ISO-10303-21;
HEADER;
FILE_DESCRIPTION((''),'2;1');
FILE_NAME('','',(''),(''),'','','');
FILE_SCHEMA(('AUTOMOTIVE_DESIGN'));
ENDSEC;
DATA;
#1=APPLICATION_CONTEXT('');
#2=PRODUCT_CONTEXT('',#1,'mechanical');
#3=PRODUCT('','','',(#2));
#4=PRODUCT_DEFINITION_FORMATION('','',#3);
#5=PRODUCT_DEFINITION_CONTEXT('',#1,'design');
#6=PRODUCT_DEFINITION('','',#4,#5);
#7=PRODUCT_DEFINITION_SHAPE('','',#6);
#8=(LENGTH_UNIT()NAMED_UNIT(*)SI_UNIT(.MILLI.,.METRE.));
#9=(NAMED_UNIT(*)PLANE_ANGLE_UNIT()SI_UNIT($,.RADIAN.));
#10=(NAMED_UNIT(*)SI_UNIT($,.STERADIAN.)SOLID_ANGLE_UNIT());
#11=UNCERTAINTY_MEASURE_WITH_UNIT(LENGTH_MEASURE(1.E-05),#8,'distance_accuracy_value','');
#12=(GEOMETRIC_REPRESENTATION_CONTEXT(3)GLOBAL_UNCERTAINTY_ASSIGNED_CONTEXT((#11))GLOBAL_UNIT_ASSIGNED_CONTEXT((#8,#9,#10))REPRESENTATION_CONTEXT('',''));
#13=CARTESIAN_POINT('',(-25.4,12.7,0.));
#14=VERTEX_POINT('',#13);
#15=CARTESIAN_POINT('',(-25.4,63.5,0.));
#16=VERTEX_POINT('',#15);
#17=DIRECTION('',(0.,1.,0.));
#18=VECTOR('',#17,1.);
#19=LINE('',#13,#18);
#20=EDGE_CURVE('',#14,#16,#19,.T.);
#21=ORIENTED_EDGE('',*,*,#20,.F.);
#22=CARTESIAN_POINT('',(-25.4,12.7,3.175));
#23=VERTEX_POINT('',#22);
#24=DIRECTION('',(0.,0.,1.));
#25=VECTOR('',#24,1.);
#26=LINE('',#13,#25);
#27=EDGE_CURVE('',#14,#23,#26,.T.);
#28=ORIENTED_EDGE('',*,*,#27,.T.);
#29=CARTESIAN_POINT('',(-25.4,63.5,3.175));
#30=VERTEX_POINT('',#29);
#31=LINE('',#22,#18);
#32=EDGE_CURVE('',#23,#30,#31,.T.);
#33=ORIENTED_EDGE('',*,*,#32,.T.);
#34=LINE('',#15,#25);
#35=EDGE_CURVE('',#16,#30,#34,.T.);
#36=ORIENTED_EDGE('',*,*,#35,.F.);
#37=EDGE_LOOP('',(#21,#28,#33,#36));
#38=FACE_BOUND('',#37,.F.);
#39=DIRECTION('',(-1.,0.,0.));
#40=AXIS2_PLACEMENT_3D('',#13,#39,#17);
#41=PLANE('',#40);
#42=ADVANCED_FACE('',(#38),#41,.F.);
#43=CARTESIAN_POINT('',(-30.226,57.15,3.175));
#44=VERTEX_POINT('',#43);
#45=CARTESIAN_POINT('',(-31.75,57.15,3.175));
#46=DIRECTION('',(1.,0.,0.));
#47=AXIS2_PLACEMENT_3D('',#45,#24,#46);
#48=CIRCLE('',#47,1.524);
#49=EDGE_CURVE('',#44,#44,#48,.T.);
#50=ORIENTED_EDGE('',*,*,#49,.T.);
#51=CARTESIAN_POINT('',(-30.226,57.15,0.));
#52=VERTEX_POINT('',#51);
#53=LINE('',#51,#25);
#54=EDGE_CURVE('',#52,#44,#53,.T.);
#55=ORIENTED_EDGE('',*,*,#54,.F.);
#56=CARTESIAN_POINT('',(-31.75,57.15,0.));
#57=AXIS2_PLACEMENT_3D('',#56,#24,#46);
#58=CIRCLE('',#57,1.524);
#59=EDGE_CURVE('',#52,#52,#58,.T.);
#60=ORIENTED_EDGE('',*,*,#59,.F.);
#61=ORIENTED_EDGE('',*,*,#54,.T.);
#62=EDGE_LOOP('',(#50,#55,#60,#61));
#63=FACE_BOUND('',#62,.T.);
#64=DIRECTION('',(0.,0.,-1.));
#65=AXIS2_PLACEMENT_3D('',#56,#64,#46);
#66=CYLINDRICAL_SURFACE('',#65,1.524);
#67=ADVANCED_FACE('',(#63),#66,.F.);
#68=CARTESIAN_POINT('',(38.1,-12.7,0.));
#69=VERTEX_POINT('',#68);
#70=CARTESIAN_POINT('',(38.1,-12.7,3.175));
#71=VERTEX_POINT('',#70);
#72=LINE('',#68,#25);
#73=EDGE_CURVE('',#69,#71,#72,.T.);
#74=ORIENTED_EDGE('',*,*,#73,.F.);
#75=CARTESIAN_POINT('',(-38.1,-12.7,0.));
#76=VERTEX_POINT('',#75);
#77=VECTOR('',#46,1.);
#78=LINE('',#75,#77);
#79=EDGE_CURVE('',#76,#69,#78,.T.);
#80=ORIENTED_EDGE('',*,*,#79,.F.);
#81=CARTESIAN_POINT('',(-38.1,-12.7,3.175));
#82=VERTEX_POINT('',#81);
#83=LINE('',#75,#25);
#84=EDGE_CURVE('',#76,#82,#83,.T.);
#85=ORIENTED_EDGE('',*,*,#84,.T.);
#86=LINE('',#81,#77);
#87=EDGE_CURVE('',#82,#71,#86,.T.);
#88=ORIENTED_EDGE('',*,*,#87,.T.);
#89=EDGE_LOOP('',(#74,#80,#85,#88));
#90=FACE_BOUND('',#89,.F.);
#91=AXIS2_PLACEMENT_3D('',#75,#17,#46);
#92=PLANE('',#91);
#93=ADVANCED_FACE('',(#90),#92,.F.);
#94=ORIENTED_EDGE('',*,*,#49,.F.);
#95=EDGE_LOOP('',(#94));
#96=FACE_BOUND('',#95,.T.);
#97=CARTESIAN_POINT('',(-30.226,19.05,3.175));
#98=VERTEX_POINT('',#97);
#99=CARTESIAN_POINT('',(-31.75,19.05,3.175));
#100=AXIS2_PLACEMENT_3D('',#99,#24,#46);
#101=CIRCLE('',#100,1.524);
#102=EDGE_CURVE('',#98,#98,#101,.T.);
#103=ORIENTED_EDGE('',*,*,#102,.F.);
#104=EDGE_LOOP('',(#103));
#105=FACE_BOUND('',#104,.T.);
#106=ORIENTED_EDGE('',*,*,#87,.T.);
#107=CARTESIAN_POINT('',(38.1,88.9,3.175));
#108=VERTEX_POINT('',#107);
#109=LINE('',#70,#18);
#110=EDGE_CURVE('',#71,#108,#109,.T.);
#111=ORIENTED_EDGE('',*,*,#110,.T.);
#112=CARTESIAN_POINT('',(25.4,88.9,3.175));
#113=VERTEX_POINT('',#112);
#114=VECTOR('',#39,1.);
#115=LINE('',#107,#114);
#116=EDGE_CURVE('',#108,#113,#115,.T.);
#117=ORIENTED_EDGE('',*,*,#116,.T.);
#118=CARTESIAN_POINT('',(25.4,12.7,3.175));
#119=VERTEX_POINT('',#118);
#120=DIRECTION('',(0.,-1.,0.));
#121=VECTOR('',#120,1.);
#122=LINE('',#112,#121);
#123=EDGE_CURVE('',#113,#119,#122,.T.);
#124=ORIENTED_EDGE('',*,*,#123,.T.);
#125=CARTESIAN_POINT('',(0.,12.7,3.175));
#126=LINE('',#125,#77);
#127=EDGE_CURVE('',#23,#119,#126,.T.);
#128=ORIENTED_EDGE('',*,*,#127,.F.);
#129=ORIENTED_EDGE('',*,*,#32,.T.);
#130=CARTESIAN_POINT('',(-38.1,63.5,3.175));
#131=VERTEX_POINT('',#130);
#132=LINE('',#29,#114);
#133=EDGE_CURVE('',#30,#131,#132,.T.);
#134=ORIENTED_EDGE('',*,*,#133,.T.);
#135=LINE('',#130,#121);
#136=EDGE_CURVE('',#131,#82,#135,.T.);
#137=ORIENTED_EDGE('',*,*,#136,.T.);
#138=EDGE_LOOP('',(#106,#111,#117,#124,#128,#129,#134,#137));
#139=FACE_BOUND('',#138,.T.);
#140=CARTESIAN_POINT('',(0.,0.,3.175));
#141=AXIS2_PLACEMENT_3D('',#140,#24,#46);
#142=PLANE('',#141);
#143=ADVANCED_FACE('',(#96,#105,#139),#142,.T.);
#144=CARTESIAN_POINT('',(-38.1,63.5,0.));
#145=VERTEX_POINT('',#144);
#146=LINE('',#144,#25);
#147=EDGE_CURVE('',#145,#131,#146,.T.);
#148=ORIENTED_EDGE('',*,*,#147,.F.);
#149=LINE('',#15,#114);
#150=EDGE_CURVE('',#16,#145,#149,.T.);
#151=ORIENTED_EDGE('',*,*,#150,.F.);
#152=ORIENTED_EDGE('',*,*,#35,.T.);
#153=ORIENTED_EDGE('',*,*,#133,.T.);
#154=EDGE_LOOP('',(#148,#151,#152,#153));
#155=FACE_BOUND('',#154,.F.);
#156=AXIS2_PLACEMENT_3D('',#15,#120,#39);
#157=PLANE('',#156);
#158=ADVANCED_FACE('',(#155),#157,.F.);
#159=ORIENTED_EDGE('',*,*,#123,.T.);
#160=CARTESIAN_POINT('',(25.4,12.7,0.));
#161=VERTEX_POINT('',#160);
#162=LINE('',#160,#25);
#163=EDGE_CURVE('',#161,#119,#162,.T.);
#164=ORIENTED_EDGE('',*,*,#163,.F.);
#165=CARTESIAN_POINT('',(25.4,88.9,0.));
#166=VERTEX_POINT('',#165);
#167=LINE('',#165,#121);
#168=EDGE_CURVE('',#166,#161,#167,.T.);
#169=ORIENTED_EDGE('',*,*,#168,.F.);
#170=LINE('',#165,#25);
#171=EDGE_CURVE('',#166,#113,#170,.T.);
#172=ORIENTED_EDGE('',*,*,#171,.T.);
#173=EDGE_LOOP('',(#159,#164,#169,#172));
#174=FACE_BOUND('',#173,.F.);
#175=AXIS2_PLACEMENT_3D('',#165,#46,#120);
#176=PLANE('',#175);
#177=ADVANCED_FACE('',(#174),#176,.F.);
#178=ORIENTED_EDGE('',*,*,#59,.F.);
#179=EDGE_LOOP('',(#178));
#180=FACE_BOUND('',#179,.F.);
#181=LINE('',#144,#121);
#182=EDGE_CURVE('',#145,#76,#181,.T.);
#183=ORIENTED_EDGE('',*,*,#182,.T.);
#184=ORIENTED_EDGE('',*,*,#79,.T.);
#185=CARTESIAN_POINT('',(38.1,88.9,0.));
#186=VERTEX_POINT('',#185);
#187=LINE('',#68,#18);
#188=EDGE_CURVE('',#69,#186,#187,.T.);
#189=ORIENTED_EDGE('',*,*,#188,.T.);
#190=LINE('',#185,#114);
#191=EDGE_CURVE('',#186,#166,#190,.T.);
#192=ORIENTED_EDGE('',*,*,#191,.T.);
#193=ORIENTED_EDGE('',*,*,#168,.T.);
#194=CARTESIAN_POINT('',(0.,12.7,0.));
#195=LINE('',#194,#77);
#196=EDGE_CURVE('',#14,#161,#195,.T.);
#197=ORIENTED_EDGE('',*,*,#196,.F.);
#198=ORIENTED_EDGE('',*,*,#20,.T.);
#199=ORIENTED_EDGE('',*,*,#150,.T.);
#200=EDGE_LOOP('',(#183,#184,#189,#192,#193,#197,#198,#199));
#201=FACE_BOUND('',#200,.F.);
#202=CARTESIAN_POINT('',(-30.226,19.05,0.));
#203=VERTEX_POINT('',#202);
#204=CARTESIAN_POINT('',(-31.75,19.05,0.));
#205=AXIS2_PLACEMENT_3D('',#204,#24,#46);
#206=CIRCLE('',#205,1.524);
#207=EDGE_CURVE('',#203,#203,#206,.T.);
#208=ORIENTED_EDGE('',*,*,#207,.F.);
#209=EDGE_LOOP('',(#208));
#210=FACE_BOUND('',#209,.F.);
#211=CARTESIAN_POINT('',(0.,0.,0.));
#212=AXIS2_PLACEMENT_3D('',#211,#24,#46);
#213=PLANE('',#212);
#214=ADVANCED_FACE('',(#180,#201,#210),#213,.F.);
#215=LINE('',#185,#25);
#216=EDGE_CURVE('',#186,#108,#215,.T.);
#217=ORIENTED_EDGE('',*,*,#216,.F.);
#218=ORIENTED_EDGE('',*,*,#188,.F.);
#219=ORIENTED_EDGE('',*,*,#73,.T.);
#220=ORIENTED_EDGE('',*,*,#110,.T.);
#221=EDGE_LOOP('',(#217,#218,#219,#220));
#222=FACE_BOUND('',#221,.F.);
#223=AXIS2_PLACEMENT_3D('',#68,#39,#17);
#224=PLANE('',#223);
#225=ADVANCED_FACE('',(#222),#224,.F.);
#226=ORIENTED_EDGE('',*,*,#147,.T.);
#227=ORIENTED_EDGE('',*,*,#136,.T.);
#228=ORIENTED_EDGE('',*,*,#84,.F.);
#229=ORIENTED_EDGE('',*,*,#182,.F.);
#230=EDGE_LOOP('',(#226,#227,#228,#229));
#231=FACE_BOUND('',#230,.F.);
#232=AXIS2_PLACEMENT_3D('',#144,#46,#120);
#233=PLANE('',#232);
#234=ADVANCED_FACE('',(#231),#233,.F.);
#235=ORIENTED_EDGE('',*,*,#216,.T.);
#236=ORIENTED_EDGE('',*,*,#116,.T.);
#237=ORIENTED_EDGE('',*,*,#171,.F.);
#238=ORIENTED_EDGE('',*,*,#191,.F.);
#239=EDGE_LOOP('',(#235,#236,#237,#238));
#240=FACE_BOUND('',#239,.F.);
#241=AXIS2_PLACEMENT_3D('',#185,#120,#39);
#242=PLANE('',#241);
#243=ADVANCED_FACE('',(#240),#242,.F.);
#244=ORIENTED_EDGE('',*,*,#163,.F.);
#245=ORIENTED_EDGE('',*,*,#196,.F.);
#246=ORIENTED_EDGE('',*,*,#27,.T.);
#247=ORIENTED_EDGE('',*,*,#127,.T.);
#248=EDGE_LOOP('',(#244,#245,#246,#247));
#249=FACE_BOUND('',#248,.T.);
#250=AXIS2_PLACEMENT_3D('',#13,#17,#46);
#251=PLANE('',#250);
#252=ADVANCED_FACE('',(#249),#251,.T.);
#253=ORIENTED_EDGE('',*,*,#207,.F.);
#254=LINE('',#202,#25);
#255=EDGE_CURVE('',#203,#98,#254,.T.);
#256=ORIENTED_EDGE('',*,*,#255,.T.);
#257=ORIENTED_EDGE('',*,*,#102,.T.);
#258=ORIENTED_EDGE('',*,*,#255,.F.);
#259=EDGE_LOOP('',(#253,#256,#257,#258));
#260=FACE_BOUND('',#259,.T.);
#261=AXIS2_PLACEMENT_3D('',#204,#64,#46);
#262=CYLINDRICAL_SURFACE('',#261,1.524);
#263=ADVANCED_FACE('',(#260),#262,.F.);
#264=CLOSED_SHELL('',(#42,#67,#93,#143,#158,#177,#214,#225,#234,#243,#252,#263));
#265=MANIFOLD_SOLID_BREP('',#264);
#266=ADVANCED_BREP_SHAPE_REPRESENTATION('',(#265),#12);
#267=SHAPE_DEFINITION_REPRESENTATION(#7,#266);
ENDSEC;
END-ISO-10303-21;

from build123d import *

# Parameters (mm, degrees)
F0_W     = 50.8
F0_H     = 25.4
F0_R     = 1.524
F1_DEPTH = 3.175


with BuildPart() as f1:
    # F0 (on Top) → F1 (new body)
    with BuildSketch(Plane.XY):
        Rectangle(F0_W, F0_H)
        Polygon((-25.4, -12.7), (-25.4, 12.7), (-25.4, 63.5), (-38.1, 63.5), (-38.1, -12.7), align=None)
        with Locations((-31.75, 19.05)):
            Circle(F0_R, mode=Mode.SUBTRACT)
        with Locations((-31.75, 57.15)):
            Circle(F0_R, mode=Mode.SUBTRACT)
        Polygon((25.4, 88.9), (25.4, 12.7), (25.4, -12.7), (38.1, -12.7), (38.1, 88.9), align=None)
    extrude(amount=F1_DEPTH)


solid = f1.part
